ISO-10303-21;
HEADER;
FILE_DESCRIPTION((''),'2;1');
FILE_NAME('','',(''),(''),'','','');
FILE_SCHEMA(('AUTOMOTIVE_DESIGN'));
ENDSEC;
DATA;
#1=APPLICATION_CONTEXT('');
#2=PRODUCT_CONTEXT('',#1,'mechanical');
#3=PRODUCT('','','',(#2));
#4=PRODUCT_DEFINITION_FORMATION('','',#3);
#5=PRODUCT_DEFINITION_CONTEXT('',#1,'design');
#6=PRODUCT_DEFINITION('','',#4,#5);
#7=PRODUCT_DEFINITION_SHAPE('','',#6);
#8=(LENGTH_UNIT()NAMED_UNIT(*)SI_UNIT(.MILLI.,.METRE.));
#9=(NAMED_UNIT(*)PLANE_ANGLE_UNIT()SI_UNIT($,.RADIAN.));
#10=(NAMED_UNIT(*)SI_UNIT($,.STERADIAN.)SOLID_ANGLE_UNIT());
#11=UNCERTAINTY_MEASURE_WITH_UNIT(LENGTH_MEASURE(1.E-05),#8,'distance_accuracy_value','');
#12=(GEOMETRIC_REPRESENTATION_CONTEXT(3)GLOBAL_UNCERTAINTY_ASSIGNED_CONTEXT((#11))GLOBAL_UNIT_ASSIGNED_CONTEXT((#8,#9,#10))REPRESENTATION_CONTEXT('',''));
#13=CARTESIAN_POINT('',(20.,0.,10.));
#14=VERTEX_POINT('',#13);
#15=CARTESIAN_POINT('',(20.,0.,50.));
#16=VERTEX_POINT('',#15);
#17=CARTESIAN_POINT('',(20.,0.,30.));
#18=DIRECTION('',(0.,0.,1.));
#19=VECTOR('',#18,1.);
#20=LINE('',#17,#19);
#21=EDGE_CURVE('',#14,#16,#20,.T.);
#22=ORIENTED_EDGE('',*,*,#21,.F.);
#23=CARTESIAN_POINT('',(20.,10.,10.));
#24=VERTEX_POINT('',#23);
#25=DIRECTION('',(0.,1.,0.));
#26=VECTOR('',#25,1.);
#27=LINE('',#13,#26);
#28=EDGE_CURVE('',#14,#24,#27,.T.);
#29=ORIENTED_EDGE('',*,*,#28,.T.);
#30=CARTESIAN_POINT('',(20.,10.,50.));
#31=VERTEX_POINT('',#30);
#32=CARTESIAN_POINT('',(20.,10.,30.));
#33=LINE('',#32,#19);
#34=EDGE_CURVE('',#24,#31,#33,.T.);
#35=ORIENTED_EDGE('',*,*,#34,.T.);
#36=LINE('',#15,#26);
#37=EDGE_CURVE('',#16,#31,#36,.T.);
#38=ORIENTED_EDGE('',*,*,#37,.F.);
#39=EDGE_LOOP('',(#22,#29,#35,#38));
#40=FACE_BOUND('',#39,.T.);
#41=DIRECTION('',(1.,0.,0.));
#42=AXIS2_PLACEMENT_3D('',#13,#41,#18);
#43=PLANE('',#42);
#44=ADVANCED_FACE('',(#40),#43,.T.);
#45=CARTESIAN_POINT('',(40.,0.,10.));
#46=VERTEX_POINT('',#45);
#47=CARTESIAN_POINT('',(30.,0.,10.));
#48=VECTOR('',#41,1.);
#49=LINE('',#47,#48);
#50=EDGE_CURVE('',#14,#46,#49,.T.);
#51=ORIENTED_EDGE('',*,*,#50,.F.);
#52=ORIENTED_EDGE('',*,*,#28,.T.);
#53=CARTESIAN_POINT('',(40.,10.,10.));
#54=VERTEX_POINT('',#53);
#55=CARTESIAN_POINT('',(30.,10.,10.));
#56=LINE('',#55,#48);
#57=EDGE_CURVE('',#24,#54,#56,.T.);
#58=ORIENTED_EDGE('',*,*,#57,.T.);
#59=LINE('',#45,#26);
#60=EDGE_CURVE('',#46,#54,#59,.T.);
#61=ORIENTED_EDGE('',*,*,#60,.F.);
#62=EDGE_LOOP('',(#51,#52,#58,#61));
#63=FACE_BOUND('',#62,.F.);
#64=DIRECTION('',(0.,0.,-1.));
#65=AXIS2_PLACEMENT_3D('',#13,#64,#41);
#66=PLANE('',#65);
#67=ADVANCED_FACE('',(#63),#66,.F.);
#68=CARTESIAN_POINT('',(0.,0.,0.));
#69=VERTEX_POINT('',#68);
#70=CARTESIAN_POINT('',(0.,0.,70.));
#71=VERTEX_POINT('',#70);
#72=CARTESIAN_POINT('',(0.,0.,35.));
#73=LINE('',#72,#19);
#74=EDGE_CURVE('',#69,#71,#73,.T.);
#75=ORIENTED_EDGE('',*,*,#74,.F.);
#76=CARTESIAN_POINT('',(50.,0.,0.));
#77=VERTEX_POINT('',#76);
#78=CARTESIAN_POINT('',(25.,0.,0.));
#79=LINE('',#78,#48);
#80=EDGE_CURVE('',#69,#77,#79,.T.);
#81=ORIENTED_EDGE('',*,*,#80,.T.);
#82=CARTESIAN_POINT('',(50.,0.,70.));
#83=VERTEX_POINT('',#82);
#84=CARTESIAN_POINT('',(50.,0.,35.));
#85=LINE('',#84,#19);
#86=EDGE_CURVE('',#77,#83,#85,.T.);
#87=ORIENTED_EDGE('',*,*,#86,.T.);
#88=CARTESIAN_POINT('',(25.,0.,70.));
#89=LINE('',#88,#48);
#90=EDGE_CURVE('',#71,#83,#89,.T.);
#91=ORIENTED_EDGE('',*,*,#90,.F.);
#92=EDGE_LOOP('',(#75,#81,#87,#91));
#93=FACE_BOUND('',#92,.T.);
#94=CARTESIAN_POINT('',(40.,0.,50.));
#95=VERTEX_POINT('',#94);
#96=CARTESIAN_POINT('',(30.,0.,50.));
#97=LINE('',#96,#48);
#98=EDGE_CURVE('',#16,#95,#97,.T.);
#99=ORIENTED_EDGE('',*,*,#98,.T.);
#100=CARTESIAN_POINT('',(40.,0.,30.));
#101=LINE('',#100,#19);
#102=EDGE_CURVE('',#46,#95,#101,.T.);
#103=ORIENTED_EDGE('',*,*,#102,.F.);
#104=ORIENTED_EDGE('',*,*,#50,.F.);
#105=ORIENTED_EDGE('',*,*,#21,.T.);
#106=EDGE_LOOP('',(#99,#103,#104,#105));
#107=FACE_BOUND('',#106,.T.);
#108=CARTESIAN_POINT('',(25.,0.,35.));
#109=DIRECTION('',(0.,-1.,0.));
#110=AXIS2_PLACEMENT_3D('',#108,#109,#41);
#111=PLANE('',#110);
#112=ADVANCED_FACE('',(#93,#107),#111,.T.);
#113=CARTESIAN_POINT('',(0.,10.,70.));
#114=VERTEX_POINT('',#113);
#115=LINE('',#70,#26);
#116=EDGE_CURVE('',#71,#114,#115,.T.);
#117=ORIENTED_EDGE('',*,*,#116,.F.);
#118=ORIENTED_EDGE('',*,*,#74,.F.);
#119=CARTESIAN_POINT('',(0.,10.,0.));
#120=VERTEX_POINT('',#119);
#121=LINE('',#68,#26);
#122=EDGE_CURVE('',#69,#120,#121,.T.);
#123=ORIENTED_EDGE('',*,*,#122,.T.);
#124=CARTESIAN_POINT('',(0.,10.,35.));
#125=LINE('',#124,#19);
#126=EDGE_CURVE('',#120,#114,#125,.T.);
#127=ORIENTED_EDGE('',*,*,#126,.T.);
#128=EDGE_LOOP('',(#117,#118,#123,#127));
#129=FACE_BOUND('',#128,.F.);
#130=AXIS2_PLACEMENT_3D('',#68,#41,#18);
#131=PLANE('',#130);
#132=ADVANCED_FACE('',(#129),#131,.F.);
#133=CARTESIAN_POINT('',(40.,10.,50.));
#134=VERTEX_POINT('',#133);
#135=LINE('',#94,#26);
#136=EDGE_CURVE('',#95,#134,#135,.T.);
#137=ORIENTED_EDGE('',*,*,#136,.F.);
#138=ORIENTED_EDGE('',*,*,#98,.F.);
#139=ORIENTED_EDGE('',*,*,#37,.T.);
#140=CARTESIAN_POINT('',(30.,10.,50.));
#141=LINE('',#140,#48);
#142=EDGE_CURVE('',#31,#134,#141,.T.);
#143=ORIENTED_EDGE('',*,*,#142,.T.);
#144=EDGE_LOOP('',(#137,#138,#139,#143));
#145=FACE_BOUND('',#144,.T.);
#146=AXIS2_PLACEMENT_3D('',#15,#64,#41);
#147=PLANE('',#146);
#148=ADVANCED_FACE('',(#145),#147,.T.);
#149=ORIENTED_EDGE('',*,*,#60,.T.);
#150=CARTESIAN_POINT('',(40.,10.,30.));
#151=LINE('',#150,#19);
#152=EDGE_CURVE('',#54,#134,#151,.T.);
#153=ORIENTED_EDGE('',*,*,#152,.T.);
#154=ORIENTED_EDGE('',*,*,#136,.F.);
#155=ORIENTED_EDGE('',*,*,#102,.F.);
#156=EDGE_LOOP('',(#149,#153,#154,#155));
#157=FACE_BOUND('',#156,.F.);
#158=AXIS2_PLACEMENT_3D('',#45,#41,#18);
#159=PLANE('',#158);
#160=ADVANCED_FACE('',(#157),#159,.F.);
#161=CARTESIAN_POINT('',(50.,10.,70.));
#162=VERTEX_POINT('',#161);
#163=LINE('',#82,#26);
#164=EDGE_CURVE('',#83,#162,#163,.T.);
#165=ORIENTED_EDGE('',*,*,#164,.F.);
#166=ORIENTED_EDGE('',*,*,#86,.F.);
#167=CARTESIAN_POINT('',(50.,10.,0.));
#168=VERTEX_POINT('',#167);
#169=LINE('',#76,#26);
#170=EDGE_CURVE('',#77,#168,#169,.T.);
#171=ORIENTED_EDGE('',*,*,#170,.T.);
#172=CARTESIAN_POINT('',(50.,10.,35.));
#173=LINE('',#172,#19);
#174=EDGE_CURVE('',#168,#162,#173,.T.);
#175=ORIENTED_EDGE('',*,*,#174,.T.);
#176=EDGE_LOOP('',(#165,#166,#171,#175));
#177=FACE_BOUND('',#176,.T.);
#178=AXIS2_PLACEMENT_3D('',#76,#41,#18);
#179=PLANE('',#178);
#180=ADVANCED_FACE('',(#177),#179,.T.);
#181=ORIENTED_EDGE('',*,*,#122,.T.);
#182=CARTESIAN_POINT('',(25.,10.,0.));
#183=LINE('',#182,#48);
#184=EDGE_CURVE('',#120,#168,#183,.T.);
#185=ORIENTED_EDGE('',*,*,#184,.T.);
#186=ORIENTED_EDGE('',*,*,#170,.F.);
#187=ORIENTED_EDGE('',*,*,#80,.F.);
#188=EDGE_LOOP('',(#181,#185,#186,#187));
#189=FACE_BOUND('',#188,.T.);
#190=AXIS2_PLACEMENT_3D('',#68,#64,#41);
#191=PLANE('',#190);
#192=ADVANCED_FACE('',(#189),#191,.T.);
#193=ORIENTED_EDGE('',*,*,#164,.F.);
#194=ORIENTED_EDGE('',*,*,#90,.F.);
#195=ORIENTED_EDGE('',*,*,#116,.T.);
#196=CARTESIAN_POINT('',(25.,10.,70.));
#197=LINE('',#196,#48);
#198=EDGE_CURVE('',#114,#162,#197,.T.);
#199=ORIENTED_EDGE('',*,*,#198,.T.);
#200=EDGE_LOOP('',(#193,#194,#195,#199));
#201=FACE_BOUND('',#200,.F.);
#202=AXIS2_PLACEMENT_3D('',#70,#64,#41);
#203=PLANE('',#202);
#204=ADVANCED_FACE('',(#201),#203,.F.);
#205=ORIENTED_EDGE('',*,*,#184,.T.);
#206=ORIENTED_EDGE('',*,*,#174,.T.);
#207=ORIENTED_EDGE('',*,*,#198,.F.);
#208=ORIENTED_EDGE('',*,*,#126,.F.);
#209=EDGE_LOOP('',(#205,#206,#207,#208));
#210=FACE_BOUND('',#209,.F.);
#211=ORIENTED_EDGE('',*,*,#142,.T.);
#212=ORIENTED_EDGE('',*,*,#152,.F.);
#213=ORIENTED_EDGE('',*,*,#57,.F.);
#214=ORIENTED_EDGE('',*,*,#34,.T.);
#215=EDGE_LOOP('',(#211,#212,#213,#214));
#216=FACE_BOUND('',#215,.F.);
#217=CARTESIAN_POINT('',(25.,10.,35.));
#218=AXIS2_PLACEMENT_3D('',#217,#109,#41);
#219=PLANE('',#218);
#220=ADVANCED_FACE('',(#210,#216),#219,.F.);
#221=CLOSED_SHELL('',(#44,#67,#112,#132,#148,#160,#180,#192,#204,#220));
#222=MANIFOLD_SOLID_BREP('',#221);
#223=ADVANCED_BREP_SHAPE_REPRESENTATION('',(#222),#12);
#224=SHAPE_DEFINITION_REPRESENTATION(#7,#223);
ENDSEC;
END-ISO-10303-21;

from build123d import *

# Parameters (mm, degrees)
F0_W     = 50
F0_H     = 70
F0_W_2   = 20
F0_H_2   = 40
F1_DEPTH = 10


with BuildPart() as f1:
    # F0 (on Front) → F1 (new body)
    with BuildSketch(Plane.XZ):
        with Locations((25, 35)):
            Rectangle(F0_W, F0_H)
        with Locations((30, 30)):
            Rectangle(F0_W_2, F0_H_2, mode=Mode.SUBTRACT)
    extrude(amount=-F1_DEPTH)


solid = f1.part
